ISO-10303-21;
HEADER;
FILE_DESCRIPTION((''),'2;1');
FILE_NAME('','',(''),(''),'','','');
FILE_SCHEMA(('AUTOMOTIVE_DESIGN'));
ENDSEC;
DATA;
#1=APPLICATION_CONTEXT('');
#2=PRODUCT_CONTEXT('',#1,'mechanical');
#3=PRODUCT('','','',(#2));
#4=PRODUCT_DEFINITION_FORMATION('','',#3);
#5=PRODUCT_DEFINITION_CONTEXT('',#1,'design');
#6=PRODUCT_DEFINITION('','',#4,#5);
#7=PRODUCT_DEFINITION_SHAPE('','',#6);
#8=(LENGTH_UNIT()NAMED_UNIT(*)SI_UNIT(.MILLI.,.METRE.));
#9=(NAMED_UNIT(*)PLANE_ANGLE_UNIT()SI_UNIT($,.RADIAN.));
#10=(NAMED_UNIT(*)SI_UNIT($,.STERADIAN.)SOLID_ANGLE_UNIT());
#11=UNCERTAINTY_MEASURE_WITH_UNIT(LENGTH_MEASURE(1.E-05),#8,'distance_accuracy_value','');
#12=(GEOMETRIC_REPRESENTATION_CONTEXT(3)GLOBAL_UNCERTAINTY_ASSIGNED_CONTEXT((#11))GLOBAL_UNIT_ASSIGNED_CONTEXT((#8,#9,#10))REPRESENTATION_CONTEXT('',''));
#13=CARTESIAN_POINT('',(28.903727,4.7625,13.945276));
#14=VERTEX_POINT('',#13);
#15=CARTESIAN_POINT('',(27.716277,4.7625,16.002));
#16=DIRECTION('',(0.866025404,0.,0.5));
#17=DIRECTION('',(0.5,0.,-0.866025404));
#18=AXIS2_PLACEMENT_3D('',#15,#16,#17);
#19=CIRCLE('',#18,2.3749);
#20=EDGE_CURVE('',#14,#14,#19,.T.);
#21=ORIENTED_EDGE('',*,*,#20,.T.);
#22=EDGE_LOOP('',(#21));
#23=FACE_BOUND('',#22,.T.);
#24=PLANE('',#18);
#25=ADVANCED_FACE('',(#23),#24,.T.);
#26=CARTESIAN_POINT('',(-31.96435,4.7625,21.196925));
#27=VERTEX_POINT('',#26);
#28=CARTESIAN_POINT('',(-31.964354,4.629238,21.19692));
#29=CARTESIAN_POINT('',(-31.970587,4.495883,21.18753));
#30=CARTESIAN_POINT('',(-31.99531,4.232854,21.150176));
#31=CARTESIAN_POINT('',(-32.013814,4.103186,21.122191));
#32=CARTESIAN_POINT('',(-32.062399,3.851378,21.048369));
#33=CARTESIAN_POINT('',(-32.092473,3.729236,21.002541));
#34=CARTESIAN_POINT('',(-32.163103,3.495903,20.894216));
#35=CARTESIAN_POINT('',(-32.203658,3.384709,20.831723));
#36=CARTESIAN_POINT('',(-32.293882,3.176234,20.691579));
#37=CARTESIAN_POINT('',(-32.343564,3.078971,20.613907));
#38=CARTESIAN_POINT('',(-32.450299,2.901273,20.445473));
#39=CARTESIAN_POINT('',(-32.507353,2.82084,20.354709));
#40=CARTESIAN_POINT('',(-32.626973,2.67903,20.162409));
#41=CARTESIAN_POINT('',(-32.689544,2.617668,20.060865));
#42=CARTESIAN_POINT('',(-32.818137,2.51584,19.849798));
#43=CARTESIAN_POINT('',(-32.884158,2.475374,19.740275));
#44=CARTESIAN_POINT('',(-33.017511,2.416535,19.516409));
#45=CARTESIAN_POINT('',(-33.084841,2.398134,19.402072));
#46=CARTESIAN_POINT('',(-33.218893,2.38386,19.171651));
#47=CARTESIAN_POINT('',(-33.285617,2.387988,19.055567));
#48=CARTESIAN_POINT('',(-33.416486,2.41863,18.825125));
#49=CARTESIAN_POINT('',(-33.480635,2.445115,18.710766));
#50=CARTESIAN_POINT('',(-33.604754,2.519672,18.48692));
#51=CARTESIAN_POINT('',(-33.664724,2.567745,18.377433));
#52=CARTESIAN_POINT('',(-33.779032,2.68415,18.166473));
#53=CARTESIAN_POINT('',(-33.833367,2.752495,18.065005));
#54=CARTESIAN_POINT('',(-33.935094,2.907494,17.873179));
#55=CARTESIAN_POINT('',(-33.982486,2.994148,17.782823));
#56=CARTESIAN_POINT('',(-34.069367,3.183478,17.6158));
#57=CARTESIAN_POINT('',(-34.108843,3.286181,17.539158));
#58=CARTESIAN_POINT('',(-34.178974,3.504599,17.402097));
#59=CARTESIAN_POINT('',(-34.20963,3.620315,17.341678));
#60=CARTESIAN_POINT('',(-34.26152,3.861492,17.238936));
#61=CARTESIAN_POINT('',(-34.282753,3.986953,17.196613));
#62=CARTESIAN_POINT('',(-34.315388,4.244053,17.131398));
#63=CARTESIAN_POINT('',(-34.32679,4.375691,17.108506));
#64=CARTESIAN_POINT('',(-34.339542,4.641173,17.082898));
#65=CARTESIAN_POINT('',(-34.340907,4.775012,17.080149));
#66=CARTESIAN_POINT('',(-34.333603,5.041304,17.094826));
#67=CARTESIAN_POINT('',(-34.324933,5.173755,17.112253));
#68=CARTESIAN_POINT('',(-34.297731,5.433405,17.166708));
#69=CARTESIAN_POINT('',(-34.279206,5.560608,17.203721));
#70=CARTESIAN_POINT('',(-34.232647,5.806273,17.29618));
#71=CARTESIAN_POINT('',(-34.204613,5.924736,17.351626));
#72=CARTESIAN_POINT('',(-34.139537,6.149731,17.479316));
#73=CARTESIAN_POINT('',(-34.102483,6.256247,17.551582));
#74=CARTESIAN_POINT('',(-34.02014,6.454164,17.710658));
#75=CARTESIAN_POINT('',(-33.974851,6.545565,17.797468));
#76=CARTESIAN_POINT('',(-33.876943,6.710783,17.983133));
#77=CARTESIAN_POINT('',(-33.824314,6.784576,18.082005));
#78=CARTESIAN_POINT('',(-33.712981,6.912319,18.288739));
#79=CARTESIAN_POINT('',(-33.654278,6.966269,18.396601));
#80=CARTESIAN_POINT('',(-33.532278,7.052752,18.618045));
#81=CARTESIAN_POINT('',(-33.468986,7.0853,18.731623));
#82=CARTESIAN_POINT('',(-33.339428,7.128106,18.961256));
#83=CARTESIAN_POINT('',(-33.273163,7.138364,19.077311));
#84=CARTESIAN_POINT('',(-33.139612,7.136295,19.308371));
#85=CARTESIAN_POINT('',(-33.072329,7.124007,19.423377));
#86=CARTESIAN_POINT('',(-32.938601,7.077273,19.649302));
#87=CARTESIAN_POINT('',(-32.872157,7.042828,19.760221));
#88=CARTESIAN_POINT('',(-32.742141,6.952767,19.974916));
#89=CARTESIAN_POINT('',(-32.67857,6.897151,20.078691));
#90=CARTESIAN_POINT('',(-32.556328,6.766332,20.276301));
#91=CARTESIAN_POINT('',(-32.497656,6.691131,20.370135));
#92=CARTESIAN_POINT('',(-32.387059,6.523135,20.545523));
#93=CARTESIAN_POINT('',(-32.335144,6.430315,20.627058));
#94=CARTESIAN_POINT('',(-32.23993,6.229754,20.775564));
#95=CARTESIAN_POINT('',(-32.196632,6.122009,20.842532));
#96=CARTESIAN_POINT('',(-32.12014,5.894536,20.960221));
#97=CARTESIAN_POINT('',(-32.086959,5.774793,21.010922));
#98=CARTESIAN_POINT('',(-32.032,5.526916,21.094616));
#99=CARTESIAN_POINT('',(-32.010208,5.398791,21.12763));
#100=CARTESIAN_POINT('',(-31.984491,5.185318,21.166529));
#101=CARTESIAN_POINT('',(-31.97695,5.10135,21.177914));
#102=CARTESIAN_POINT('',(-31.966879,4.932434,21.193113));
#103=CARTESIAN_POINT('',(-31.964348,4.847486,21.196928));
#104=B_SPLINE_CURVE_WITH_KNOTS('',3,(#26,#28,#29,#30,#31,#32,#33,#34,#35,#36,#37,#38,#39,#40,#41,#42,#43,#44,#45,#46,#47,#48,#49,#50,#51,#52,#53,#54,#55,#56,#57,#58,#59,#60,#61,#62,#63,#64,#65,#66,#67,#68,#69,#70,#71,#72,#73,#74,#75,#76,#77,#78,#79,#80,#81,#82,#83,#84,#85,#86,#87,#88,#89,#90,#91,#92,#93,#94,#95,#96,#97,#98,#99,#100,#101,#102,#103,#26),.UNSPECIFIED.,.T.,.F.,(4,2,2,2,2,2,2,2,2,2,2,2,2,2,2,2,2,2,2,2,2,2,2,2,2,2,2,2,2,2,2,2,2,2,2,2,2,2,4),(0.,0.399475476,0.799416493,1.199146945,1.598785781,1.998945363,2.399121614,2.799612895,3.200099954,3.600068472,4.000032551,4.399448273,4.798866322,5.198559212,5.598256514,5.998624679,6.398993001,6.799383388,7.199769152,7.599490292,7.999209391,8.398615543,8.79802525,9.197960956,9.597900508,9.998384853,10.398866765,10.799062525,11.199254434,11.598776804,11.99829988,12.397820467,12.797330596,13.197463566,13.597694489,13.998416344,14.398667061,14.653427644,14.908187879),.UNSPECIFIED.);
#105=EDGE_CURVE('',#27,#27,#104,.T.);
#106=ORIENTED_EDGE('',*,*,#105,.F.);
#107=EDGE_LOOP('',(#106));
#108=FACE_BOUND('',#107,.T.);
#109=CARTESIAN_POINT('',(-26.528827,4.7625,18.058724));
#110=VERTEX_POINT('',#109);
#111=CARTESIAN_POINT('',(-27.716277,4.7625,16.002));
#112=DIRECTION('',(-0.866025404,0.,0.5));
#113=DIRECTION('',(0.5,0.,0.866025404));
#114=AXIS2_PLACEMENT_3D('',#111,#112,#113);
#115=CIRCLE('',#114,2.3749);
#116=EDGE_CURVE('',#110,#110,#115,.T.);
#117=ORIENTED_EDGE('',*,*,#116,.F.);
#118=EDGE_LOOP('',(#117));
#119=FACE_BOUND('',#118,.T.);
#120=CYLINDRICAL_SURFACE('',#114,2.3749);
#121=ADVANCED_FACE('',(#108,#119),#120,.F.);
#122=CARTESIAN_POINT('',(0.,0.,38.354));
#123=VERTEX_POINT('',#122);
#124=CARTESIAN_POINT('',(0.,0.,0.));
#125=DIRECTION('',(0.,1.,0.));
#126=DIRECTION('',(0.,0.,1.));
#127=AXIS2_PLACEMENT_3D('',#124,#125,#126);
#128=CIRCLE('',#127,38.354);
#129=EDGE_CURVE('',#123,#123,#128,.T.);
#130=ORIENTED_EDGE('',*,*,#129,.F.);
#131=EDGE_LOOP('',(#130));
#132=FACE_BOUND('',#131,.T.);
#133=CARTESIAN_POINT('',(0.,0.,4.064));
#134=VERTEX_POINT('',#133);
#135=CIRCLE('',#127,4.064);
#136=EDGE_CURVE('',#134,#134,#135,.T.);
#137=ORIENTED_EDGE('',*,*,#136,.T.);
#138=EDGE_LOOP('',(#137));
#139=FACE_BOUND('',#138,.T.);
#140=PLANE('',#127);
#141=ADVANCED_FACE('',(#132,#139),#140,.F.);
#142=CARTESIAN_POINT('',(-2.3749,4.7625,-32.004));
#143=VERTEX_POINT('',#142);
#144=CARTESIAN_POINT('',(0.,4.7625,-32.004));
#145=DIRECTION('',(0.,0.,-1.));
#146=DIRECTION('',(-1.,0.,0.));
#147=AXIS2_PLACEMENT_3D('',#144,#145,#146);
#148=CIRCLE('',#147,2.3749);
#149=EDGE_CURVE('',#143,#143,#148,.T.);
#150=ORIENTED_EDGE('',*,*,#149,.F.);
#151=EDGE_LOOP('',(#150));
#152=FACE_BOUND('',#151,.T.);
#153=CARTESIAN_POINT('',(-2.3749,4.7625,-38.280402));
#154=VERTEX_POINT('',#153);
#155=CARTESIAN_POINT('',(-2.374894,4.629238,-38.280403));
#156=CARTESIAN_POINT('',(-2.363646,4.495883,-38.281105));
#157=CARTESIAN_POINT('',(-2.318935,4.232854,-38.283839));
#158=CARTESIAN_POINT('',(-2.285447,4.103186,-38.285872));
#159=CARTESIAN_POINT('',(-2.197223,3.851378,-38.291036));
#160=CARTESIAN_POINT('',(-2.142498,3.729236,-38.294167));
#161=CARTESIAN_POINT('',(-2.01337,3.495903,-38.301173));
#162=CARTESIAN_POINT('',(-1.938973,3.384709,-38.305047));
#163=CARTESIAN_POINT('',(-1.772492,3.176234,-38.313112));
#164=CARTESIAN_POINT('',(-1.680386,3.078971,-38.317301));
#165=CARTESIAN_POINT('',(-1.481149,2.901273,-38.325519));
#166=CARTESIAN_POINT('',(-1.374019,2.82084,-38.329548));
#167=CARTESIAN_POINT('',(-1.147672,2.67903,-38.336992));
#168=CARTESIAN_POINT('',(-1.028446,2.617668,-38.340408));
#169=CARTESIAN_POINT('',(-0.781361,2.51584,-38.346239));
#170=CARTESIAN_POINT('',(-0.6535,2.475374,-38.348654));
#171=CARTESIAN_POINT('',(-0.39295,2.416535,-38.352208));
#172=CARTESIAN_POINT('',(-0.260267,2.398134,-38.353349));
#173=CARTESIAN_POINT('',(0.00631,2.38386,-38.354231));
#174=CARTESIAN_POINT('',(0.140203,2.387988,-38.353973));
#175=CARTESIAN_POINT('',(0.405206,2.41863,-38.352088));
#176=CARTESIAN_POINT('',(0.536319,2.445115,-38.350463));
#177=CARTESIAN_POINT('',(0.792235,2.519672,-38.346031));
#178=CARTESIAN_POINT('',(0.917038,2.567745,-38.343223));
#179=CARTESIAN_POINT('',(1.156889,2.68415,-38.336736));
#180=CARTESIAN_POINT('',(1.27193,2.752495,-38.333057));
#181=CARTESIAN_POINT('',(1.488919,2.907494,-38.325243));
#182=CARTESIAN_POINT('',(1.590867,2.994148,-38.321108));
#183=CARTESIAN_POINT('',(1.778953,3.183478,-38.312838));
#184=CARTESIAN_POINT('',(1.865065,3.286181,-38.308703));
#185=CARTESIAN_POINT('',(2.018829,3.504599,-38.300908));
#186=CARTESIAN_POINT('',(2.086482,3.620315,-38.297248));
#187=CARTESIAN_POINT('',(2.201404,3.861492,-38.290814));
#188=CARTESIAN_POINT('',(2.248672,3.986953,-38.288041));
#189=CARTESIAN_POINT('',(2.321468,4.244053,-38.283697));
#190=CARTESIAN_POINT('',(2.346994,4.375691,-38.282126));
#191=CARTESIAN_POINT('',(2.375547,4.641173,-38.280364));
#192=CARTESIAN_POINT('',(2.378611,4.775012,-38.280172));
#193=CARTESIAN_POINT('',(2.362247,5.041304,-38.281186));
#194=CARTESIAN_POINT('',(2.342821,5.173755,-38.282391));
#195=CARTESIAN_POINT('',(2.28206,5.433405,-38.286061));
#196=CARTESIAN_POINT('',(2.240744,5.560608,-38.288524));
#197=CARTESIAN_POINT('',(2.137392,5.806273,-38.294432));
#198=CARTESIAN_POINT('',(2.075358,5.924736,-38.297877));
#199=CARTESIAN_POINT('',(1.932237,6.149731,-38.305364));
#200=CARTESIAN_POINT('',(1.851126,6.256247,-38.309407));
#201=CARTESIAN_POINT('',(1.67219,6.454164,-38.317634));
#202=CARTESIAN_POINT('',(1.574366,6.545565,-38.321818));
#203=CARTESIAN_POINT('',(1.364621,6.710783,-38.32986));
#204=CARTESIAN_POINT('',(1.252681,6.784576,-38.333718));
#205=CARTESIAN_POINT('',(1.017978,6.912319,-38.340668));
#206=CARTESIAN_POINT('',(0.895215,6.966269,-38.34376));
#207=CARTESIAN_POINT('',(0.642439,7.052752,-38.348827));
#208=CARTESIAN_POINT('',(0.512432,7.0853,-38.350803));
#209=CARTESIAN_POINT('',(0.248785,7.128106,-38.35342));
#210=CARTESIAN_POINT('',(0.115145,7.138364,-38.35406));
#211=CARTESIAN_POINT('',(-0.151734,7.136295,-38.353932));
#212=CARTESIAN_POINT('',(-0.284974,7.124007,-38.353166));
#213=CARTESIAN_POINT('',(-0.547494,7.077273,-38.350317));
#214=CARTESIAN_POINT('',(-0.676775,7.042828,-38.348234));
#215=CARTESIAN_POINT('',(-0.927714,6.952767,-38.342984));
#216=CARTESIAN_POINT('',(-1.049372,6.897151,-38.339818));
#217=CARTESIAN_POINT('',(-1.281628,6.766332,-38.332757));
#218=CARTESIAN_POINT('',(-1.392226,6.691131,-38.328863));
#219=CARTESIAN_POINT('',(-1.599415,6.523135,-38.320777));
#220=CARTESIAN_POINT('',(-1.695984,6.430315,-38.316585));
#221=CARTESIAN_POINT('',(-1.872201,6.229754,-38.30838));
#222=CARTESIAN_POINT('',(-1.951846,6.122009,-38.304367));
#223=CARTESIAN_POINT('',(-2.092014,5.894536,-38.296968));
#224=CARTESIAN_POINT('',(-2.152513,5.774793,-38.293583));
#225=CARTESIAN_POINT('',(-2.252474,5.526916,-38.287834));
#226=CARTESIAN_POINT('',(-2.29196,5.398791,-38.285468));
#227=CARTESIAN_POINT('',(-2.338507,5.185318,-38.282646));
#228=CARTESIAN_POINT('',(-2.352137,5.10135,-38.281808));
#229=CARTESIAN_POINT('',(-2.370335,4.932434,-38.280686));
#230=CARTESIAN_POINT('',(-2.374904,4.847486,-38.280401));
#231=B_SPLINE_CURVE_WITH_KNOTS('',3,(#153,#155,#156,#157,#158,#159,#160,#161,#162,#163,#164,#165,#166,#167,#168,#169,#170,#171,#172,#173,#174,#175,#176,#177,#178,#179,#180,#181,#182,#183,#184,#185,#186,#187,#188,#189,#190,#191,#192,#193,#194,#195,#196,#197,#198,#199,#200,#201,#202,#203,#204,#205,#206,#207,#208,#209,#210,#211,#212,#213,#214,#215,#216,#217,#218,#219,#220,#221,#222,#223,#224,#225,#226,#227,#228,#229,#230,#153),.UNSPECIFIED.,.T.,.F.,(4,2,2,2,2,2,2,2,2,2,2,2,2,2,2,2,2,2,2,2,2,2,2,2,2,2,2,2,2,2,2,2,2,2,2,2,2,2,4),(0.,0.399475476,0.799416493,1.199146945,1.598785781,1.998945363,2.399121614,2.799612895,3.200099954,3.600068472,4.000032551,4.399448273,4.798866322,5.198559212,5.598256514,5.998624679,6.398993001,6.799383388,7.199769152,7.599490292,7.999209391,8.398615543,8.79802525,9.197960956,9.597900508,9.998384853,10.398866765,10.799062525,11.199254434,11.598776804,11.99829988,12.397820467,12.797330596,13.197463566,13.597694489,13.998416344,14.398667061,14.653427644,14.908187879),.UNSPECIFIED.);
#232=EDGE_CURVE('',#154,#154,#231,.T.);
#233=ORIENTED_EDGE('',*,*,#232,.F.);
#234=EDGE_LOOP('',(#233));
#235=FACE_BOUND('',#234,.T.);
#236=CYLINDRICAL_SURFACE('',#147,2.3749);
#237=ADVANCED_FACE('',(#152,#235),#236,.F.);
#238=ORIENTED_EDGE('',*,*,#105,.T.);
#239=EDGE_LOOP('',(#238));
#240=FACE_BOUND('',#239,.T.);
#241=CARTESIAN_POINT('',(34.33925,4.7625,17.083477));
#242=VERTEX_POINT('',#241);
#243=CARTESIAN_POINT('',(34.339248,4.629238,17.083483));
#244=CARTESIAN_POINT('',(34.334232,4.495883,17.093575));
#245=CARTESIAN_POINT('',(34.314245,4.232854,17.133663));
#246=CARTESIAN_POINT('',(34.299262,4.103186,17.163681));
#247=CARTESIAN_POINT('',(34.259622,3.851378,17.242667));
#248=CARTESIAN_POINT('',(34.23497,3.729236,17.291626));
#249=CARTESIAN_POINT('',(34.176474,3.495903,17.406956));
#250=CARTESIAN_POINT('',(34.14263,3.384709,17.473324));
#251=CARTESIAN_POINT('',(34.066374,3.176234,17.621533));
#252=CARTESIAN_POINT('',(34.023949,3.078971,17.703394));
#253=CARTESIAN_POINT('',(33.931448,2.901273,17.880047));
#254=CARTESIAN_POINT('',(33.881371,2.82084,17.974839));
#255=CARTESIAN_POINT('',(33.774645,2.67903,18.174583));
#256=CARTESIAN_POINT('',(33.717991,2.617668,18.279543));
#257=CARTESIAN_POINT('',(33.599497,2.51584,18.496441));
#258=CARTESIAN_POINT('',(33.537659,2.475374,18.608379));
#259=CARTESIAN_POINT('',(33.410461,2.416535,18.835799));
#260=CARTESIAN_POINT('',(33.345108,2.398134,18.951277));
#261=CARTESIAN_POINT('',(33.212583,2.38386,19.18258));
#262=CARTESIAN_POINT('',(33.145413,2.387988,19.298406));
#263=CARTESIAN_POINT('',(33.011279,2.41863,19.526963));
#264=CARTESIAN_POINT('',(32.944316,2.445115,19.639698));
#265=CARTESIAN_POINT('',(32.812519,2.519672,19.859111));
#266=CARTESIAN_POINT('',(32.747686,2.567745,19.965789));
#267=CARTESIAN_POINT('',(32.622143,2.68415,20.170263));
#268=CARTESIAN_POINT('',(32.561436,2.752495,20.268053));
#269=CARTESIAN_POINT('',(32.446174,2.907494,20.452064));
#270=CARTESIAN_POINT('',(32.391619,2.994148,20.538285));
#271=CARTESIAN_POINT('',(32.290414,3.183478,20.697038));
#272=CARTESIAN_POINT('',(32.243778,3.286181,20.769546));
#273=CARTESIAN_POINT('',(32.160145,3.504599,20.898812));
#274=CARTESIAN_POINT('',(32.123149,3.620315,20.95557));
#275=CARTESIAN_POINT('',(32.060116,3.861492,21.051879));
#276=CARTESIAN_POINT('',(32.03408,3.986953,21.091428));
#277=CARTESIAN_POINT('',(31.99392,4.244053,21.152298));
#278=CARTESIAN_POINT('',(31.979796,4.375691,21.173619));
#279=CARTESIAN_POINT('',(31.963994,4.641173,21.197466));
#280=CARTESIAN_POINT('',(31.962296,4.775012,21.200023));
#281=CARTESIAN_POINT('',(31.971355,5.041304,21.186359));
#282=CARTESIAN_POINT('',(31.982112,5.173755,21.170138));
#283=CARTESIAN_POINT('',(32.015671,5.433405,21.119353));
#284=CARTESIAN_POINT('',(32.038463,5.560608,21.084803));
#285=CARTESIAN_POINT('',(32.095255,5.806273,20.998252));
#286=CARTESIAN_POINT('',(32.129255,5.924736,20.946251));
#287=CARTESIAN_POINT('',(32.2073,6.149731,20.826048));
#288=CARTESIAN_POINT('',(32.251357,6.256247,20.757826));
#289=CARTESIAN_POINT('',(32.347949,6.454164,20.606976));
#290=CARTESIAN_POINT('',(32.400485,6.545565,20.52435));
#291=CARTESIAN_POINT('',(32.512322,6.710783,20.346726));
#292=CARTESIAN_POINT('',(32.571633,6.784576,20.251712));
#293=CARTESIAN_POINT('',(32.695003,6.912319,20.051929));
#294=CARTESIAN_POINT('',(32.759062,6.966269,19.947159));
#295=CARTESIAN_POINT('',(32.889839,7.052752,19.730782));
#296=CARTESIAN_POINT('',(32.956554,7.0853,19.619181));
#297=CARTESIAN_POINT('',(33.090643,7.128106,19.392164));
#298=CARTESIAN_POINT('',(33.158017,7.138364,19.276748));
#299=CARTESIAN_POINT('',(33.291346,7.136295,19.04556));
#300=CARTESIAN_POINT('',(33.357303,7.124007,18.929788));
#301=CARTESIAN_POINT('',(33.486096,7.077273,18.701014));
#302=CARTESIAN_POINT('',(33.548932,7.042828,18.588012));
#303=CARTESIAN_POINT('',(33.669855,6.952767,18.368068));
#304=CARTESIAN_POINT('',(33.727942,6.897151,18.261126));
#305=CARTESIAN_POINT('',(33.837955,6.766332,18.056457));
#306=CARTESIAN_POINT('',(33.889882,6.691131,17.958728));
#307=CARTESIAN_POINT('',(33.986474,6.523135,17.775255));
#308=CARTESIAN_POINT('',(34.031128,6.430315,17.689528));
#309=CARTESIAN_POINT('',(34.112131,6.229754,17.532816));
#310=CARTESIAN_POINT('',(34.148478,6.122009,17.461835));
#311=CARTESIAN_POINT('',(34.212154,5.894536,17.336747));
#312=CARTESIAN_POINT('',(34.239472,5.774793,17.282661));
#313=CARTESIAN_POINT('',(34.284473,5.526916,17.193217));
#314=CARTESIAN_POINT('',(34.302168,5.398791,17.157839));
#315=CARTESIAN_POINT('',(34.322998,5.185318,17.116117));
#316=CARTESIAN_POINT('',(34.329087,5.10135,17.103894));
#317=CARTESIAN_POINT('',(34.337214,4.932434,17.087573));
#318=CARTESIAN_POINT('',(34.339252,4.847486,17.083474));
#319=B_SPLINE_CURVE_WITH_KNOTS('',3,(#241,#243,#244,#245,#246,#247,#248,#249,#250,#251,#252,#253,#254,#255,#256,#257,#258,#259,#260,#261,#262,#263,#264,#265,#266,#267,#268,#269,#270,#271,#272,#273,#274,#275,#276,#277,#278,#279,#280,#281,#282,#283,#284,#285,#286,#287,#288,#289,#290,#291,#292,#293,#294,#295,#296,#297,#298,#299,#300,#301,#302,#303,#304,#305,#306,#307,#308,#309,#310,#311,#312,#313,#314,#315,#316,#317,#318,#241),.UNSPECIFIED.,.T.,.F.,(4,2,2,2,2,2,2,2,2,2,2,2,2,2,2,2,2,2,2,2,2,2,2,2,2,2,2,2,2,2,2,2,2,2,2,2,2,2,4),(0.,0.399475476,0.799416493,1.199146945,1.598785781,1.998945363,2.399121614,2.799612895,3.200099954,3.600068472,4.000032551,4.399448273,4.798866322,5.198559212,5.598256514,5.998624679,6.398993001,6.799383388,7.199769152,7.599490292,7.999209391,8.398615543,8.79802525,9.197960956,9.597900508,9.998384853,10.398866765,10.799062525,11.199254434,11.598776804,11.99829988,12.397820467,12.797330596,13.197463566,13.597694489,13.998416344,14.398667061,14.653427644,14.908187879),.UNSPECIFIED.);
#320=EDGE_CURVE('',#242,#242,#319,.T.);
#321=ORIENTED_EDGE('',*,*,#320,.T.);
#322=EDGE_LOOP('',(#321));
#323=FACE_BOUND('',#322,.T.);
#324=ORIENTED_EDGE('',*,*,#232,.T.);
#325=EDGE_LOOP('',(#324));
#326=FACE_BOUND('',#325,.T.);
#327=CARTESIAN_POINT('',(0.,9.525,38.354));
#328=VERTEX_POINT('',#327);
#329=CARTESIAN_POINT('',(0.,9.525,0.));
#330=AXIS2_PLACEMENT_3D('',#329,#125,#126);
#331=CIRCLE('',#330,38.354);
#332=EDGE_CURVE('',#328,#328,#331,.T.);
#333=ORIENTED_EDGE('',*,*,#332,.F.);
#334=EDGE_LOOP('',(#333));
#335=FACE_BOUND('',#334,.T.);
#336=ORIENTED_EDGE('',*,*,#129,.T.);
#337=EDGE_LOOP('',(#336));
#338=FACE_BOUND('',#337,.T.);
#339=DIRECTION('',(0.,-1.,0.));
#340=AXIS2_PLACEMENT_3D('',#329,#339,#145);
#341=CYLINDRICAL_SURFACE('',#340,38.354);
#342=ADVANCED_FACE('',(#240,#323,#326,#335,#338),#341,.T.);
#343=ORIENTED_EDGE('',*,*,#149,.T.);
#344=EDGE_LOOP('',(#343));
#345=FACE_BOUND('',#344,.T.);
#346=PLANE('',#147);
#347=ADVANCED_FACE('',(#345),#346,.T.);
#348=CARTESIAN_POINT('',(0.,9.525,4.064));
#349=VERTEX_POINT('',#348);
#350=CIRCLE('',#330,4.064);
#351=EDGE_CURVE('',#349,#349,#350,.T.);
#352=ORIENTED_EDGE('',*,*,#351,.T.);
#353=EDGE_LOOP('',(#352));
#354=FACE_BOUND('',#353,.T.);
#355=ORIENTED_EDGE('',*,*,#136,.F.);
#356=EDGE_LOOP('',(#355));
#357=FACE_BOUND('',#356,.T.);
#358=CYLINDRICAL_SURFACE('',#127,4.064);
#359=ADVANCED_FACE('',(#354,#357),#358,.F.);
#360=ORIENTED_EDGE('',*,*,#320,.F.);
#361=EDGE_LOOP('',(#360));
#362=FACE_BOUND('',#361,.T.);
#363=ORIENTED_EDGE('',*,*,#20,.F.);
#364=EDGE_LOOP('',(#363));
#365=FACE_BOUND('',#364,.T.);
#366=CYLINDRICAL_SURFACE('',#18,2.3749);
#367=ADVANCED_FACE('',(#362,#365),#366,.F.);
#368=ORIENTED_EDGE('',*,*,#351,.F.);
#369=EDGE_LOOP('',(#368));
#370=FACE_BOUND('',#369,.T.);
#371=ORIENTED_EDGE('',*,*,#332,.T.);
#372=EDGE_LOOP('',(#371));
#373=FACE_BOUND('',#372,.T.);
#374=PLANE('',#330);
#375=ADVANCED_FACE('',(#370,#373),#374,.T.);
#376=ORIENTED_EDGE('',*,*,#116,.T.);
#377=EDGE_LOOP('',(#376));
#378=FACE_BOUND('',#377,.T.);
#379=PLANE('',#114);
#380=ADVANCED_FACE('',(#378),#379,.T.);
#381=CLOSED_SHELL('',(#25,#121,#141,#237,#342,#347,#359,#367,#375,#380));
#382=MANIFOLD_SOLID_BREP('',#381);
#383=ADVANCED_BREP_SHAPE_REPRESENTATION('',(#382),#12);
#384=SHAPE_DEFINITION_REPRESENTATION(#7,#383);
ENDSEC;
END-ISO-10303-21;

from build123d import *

# Parameters (mm, degrees)
SKETCH1_R           = 38.354
BOSS_EXTRUDE1_DEPTH = 9.525
SKETCH4_R           = 2.3749
CUT_EXTRUDE2_DEPTH  = 6.35
CIRPATTERN1_COUNT   = 3
SKETCH6_R           = 4.064
CUT_EXTRUDE4_DEPTH  = 56.070720663


with BuildPart() as part:
    # Sketch1 → Boss-Extrude1 (new body)
    with BuildSketch(Plane(origin=(0, 0, 0), x_dir=(1, 0, 0), z_dir=(0, 1, 0))):
        Circle(SKETCH1_R)
    extrude(amount=BOSS_EXTRUDE1_DEPTH)

    # Sketch4 → Cut-Extrude2 (cut)
    with BuildSketch(Plane(origin=(-33.215538337, 0, 19.177), x_dir=(0, -1, 0), z_dir=(-0.8660254037844433, 0, 0.49999999999999195))):
        with Locations((-4.7625, 0)):
            Circle(SKETCH4_R)
    cut_extrude2 = extrude(amount=-CUT_EXTRUDE2_DEPTH, mode=Mode.SUBTRACT)

    # CirPattern1: Cut-Extrude2 ×3 about axis
    cirpattern1_axis = Axis((0, 10.00125, 0), (0, -1, 0))
    for i in range(1, CIRPATTERN1_COUNT):
        add(cut_extrude2.rotate(cirpattern1_axis, i * 360 / CIRPATTERN1_COUNT), mode=Mode.SUBTRACT)

    # Sketch6 → Cut-Extrude4 (cut, through all)
    with BuildSketch(Plane(origin=(0, 9.525, 0), x_dir=(1, 0, 0), z_dir=(0, 1, 0))):
        Circle(SKETCH6_R)
    extrude(amount=-CUT_EXTRUDE4_DEPTH, mode=Mode.SUBTRACT)


solid = part.part
